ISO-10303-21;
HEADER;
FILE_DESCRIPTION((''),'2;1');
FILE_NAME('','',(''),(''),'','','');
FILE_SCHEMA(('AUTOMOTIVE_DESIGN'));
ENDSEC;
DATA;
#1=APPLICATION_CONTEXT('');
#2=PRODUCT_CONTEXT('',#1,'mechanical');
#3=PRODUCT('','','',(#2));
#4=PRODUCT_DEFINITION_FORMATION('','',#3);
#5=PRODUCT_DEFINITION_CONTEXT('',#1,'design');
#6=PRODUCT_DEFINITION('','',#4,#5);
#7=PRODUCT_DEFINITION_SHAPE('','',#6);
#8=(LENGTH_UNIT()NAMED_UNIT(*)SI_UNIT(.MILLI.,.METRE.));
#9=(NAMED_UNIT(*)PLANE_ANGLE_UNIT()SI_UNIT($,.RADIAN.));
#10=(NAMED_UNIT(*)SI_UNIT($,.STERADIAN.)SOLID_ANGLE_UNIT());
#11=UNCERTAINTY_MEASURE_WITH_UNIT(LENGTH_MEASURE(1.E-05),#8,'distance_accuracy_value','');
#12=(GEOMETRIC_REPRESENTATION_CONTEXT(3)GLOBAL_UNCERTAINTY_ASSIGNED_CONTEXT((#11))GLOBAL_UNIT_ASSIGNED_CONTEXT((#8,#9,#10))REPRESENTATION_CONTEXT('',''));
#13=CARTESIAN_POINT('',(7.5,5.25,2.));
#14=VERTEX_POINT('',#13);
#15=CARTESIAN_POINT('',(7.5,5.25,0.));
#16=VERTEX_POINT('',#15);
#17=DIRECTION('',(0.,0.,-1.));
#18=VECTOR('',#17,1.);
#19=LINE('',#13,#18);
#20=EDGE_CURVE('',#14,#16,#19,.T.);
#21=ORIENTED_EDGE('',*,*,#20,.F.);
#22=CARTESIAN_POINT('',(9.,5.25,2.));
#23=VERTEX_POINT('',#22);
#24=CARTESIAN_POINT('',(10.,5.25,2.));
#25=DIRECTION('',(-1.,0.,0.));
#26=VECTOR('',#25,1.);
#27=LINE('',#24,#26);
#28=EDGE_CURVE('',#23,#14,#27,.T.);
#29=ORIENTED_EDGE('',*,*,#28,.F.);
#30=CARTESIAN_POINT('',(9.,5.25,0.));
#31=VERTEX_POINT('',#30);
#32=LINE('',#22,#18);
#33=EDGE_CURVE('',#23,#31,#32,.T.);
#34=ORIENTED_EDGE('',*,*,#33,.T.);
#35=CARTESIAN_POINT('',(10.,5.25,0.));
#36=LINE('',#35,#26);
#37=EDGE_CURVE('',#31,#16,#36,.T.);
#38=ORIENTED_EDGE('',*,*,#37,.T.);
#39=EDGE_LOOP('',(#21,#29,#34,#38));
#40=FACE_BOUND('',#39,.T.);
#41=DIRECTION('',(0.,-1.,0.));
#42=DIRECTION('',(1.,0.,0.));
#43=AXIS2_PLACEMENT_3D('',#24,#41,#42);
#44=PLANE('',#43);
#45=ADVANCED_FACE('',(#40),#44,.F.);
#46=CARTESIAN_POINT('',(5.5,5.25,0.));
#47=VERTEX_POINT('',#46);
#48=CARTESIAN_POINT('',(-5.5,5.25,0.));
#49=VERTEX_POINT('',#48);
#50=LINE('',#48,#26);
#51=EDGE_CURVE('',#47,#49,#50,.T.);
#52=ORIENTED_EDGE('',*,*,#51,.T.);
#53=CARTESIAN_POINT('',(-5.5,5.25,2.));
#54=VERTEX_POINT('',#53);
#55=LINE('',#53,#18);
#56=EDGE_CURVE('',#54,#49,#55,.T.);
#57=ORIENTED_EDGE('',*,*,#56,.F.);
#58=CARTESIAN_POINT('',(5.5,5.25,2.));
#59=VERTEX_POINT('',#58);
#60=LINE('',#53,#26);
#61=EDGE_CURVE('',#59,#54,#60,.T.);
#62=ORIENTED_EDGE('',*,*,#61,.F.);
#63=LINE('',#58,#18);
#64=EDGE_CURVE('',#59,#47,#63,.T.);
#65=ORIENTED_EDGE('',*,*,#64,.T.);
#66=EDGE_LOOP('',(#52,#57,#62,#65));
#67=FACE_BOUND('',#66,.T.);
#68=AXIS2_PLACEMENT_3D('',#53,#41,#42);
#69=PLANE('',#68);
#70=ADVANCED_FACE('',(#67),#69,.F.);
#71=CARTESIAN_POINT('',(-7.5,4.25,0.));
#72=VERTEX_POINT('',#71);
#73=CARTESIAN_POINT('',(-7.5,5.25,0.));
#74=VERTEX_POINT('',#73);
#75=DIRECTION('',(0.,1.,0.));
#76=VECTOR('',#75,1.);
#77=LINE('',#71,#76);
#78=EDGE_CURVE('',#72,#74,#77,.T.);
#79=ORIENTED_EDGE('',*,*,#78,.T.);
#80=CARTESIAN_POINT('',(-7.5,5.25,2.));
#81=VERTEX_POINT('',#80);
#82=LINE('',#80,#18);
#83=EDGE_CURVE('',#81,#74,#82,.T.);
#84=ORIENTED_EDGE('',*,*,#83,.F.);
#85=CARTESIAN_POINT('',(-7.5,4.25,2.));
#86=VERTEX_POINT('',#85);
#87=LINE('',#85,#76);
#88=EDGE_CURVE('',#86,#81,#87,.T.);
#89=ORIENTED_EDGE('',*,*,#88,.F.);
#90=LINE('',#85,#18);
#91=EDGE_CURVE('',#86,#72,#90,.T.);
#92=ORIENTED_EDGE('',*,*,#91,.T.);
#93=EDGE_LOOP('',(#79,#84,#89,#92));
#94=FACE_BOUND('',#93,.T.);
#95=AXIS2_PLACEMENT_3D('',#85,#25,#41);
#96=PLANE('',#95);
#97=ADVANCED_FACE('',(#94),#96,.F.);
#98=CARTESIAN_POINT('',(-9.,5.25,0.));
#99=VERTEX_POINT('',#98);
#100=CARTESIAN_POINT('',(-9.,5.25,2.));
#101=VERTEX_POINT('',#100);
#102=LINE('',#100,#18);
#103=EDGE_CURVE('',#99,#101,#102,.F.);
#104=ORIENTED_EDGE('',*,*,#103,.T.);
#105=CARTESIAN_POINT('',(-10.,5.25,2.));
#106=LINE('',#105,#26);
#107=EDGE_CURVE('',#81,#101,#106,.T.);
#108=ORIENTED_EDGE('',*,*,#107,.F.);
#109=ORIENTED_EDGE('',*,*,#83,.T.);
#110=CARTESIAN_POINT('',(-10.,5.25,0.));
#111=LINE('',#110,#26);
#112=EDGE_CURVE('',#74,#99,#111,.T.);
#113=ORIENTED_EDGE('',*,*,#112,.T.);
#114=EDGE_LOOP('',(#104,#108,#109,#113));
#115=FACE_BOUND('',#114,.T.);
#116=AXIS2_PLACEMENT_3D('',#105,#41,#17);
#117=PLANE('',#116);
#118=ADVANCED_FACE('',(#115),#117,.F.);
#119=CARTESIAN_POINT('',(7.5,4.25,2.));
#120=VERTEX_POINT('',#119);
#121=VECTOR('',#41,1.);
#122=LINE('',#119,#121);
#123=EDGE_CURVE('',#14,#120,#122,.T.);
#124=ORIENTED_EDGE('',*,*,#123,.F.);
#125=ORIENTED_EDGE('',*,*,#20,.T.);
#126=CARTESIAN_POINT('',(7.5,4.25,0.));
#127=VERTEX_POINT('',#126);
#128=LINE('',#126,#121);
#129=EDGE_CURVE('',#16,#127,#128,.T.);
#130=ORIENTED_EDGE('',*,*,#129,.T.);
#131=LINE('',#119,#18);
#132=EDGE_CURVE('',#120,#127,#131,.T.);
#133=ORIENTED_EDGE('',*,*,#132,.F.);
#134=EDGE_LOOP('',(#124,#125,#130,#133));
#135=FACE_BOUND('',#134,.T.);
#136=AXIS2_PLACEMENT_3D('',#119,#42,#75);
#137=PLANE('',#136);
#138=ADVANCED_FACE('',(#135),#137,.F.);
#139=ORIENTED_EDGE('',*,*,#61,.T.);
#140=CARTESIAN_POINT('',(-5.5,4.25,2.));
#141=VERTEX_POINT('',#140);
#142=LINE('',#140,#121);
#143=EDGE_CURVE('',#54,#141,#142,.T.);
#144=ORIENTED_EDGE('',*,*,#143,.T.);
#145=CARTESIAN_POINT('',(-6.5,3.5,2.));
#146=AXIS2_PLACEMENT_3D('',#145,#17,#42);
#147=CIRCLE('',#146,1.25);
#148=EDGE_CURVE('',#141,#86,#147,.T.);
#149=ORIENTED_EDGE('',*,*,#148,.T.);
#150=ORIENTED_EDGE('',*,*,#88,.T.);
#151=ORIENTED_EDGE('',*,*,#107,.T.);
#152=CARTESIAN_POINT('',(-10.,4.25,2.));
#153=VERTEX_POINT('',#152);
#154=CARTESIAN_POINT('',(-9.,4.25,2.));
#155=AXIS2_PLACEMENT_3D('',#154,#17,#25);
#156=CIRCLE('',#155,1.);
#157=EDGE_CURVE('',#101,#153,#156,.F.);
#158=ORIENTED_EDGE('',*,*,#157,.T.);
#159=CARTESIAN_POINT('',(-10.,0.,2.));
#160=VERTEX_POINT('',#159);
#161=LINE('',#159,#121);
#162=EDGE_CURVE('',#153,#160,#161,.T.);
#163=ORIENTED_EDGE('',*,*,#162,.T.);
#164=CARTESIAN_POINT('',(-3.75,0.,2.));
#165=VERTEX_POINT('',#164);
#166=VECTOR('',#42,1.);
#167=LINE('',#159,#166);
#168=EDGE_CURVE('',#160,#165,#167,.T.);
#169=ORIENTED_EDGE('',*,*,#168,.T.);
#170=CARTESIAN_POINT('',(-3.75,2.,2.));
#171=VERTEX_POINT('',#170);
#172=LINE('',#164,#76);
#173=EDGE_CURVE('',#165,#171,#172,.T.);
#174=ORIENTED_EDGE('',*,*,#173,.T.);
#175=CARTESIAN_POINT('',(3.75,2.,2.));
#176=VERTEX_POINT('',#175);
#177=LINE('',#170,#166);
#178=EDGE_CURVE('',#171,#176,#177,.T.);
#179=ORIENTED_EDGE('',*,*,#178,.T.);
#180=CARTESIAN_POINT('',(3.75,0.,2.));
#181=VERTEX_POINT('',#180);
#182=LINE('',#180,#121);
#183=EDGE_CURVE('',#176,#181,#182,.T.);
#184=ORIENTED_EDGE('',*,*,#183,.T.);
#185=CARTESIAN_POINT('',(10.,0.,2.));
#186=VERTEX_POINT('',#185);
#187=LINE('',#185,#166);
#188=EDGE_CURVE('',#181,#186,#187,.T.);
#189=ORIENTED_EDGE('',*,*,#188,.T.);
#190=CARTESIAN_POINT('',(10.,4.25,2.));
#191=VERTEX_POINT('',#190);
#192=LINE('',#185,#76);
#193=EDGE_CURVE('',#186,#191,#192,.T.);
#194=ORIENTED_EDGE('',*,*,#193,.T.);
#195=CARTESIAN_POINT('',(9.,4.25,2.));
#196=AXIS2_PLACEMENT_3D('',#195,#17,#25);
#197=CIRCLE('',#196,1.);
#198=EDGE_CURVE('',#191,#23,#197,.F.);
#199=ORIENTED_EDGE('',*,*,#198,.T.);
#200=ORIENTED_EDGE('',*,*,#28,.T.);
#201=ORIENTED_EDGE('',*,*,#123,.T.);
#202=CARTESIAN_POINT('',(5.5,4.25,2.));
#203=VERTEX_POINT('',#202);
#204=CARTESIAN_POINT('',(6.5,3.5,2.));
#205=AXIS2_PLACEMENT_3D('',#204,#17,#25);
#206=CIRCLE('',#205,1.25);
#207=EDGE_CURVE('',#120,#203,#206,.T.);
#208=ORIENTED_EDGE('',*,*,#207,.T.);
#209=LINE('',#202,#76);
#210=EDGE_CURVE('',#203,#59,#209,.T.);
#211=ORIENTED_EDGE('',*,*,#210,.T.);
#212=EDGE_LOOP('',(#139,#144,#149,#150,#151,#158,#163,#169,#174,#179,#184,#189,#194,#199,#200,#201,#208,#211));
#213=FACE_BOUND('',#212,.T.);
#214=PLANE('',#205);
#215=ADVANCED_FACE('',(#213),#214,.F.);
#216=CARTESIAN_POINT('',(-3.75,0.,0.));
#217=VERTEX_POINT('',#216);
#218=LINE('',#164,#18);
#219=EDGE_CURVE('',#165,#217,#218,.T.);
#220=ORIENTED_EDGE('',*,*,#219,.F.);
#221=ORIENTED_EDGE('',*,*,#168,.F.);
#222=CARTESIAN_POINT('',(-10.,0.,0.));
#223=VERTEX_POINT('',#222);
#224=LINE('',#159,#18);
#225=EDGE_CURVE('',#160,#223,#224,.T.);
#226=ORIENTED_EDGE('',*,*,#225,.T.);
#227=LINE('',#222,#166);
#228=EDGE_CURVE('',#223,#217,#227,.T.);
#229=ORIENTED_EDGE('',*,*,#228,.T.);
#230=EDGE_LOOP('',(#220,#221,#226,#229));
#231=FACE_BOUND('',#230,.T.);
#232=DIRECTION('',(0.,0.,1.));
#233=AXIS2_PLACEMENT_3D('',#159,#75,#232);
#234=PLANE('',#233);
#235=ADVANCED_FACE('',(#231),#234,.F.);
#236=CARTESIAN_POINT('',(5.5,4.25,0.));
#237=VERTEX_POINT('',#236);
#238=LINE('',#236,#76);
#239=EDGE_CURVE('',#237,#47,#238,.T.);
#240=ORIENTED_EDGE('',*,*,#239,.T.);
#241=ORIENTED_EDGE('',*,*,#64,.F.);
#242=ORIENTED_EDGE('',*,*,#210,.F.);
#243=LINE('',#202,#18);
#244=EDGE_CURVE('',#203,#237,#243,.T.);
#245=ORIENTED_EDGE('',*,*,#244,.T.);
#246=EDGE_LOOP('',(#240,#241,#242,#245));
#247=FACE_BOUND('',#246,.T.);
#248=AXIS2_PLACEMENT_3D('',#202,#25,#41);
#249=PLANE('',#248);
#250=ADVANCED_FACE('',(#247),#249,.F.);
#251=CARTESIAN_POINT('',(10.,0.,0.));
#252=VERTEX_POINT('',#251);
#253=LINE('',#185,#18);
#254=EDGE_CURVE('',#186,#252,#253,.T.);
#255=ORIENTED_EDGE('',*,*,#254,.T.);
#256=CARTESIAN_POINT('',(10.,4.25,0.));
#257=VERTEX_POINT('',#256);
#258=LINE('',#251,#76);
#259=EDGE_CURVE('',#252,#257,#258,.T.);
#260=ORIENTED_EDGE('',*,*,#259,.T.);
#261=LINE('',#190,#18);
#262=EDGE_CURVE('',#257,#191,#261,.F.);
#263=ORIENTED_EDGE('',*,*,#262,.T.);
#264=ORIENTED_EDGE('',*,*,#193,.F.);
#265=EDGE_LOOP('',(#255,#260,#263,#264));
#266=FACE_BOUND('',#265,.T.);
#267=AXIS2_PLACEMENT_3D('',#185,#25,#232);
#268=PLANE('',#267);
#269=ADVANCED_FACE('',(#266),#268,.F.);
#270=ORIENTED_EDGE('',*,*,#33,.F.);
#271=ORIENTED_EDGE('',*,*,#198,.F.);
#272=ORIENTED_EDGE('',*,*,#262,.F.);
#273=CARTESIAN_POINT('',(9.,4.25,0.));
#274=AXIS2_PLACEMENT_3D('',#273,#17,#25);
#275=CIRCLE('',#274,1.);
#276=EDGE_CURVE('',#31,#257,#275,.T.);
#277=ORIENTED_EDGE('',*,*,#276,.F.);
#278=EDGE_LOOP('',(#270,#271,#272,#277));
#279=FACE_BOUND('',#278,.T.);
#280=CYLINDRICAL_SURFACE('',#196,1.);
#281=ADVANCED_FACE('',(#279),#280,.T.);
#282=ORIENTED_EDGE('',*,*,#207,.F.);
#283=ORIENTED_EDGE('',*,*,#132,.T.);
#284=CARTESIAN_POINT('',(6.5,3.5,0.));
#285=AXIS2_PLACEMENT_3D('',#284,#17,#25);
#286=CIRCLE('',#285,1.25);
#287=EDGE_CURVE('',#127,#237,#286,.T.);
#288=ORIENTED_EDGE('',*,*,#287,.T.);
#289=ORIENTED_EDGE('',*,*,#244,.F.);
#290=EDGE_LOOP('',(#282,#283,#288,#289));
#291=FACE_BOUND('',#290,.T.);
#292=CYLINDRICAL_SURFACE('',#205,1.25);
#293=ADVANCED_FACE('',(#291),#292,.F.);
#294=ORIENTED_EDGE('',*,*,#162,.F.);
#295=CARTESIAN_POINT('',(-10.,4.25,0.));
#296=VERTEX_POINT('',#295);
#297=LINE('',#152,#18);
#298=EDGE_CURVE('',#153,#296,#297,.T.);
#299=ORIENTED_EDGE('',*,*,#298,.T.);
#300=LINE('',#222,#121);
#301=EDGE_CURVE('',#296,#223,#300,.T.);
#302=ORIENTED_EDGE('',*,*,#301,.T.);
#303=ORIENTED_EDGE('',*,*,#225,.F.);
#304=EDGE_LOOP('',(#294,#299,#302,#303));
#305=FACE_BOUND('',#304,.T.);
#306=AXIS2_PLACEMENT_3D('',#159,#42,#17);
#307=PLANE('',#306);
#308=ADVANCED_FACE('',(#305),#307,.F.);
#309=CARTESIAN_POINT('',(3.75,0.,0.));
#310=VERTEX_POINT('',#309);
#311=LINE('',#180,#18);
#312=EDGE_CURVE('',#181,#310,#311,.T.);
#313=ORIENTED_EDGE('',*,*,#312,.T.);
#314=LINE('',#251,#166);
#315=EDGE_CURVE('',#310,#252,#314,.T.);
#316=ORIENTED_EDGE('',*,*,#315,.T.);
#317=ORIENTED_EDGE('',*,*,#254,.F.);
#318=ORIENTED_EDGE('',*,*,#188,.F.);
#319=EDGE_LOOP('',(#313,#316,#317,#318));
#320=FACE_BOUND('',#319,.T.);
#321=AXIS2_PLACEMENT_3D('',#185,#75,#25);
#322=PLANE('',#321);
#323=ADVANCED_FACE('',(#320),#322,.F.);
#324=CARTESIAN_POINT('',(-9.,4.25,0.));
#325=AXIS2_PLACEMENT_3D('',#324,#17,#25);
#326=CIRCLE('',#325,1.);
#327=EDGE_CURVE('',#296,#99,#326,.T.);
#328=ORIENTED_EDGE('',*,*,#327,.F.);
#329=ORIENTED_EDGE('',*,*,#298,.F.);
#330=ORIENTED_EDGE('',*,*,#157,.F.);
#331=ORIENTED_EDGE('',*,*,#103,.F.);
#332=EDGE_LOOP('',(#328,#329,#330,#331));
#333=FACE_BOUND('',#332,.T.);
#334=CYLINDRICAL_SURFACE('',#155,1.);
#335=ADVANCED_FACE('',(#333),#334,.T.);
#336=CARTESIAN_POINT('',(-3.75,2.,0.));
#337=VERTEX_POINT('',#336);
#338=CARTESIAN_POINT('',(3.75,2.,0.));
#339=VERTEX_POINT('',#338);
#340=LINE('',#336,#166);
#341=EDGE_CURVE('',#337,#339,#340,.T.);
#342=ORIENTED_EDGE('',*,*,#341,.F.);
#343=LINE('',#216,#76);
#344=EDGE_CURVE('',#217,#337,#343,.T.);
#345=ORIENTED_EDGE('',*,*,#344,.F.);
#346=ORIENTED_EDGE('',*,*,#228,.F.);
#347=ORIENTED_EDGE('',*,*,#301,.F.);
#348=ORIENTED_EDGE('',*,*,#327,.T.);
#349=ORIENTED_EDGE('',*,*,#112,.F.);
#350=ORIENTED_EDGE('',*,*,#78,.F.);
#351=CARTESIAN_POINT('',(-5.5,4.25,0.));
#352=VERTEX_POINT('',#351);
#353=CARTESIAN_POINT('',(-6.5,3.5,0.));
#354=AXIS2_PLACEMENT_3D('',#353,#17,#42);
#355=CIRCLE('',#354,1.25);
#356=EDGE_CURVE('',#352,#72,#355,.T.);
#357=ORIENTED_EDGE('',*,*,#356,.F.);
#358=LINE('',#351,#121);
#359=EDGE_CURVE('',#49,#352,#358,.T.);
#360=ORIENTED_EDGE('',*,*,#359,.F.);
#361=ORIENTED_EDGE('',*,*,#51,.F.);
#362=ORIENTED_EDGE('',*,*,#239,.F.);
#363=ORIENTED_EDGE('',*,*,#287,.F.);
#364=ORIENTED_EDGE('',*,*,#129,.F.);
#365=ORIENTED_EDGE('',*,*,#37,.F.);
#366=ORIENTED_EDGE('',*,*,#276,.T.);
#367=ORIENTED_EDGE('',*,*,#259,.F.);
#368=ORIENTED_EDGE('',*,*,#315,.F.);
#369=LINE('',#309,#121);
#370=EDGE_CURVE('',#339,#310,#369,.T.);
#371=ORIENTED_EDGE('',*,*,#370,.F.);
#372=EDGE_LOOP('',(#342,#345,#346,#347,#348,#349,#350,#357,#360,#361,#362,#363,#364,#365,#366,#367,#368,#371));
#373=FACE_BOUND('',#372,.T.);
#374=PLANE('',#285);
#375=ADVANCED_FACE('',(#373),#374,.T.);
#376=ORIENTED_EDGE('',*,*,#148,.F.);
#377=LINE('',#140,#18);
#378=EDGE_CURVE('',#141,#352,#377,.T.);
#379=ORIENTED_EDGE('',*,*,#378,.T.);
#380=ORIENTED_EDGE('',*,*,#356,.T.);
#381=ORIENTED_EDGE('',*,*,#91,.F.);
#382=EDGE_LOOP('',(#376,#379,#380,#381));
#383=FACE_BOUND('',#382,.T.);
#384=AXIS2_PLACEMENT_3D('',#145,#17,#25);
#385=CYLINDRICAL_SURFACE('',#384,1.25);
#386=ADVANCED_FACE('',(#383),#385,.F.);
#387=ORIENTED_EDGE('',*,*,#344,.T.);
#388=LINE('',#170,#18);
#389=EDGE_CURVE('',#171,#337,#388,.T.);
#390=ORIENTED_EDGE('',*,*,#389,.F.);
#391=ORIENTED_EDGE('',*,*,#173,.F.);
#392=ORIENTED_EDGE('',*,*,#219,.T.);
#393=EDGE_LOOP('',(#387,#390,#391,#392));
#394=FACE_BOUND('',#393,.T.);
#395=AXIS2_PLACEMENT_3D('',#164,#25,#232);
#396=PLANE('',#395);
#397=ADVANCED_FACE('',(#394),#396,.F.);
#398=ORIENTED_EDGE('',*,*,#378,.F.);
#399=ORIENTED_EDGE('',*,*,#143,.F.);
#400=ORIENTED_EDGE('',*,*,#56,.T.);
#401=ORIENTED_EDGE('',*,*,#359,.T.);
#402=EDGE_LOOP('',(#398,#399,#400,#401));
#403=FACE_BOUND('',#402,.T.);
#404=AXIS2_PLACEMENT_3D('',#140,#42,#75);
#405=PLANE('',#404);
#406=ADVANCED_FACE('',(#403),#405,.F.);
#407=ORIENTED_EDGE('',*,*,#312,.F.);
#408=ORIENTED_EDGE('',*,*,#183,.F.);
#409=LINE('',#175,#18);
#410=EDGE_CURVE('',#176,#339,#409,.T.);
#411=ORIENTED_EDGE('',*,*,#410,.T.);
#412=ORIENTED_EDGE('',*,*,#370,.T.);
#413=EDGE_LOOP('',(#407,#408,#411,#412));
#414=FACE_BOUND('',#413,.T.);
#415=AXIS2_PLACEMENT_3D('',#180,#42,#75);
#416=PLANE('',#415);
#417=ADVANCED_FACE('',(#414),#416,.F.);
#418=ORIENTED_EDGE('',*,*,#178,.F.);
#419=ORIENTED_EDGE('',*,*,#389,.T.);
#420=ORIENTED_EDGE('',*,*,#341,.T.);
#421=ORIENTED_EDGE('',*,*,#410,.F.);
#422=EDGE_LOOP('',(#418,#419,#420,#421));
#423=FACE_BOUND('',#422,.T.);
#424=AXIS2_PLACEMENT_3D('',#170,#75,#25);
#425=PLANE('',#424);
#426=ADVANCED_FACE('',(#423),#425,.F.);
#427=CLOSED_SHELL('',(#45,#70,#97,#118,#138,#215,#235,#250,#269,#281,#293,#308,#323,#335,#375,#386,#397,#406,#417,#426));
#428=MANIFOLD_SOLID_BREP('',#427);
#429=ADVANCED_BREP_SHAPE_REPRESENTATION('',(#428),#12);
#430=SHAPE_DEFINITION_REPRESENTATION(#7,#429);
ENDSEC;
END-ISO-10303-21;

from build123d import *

# Parameters (mm, degrees)
TUBE_PLATE_BODY_DEPTH   = 2
TUBE_PLATE_CONTOURING_R = 1


with BuildPart() as part:
    # Sketch1 → Tube Plate Body (new body)
    with BuildSketch(Plane.XY):
        with BuildLine():
            Line((-10, 0), (-10, 5.25))
            Line((-10, 5.25), (-7.5, 5.25))
            Line((-7.5, 5.25), (-7.5, 4.25))
            ThreePointArc((-7.5, 4.25), (-6.5, 2.25), (-5.5, 4.25))
            Line((-5.5, 4.25), (-5.5, 5.25))
            Line((-5.5, 5.25), (5.5, 5.25))
            Line((5.5, 5.25), (5.5, 4.25))
            ThreePointArc((5.5, 4.25), (6.5, 2.25), (7.5, 4.25))
            Line((7.5, 4.25), (7.5, 5.25))
            Line((7.5, 5.25), (10, 5.25))
            Line((10, 5.25), (10, 0))
            Line((10, 0), (3.75, 0))
            Line((3.75, 0), (3.75, 2))
            Line((3.75, 2), (-3.75, 2))
            Line((-3.75, 2), (-3.75, 0))
            Line((-3.75, 0), (-10, 0))
        make_face()
    extrude(amount=TUBE_PLATE_BODY_DEPTH)

    # Tube Plate Contouring
    tube_plate_contouring_edges = [part.edges().sort_by_distance(p)[0] for p in [
        (-10, 5.25, 1),
        (10, 5.25, 1),
    ]]
    fillet(tube_plate_contouring_edges, radius=TUBE_PLATE_CONTOURING_R)


solid = part.part
